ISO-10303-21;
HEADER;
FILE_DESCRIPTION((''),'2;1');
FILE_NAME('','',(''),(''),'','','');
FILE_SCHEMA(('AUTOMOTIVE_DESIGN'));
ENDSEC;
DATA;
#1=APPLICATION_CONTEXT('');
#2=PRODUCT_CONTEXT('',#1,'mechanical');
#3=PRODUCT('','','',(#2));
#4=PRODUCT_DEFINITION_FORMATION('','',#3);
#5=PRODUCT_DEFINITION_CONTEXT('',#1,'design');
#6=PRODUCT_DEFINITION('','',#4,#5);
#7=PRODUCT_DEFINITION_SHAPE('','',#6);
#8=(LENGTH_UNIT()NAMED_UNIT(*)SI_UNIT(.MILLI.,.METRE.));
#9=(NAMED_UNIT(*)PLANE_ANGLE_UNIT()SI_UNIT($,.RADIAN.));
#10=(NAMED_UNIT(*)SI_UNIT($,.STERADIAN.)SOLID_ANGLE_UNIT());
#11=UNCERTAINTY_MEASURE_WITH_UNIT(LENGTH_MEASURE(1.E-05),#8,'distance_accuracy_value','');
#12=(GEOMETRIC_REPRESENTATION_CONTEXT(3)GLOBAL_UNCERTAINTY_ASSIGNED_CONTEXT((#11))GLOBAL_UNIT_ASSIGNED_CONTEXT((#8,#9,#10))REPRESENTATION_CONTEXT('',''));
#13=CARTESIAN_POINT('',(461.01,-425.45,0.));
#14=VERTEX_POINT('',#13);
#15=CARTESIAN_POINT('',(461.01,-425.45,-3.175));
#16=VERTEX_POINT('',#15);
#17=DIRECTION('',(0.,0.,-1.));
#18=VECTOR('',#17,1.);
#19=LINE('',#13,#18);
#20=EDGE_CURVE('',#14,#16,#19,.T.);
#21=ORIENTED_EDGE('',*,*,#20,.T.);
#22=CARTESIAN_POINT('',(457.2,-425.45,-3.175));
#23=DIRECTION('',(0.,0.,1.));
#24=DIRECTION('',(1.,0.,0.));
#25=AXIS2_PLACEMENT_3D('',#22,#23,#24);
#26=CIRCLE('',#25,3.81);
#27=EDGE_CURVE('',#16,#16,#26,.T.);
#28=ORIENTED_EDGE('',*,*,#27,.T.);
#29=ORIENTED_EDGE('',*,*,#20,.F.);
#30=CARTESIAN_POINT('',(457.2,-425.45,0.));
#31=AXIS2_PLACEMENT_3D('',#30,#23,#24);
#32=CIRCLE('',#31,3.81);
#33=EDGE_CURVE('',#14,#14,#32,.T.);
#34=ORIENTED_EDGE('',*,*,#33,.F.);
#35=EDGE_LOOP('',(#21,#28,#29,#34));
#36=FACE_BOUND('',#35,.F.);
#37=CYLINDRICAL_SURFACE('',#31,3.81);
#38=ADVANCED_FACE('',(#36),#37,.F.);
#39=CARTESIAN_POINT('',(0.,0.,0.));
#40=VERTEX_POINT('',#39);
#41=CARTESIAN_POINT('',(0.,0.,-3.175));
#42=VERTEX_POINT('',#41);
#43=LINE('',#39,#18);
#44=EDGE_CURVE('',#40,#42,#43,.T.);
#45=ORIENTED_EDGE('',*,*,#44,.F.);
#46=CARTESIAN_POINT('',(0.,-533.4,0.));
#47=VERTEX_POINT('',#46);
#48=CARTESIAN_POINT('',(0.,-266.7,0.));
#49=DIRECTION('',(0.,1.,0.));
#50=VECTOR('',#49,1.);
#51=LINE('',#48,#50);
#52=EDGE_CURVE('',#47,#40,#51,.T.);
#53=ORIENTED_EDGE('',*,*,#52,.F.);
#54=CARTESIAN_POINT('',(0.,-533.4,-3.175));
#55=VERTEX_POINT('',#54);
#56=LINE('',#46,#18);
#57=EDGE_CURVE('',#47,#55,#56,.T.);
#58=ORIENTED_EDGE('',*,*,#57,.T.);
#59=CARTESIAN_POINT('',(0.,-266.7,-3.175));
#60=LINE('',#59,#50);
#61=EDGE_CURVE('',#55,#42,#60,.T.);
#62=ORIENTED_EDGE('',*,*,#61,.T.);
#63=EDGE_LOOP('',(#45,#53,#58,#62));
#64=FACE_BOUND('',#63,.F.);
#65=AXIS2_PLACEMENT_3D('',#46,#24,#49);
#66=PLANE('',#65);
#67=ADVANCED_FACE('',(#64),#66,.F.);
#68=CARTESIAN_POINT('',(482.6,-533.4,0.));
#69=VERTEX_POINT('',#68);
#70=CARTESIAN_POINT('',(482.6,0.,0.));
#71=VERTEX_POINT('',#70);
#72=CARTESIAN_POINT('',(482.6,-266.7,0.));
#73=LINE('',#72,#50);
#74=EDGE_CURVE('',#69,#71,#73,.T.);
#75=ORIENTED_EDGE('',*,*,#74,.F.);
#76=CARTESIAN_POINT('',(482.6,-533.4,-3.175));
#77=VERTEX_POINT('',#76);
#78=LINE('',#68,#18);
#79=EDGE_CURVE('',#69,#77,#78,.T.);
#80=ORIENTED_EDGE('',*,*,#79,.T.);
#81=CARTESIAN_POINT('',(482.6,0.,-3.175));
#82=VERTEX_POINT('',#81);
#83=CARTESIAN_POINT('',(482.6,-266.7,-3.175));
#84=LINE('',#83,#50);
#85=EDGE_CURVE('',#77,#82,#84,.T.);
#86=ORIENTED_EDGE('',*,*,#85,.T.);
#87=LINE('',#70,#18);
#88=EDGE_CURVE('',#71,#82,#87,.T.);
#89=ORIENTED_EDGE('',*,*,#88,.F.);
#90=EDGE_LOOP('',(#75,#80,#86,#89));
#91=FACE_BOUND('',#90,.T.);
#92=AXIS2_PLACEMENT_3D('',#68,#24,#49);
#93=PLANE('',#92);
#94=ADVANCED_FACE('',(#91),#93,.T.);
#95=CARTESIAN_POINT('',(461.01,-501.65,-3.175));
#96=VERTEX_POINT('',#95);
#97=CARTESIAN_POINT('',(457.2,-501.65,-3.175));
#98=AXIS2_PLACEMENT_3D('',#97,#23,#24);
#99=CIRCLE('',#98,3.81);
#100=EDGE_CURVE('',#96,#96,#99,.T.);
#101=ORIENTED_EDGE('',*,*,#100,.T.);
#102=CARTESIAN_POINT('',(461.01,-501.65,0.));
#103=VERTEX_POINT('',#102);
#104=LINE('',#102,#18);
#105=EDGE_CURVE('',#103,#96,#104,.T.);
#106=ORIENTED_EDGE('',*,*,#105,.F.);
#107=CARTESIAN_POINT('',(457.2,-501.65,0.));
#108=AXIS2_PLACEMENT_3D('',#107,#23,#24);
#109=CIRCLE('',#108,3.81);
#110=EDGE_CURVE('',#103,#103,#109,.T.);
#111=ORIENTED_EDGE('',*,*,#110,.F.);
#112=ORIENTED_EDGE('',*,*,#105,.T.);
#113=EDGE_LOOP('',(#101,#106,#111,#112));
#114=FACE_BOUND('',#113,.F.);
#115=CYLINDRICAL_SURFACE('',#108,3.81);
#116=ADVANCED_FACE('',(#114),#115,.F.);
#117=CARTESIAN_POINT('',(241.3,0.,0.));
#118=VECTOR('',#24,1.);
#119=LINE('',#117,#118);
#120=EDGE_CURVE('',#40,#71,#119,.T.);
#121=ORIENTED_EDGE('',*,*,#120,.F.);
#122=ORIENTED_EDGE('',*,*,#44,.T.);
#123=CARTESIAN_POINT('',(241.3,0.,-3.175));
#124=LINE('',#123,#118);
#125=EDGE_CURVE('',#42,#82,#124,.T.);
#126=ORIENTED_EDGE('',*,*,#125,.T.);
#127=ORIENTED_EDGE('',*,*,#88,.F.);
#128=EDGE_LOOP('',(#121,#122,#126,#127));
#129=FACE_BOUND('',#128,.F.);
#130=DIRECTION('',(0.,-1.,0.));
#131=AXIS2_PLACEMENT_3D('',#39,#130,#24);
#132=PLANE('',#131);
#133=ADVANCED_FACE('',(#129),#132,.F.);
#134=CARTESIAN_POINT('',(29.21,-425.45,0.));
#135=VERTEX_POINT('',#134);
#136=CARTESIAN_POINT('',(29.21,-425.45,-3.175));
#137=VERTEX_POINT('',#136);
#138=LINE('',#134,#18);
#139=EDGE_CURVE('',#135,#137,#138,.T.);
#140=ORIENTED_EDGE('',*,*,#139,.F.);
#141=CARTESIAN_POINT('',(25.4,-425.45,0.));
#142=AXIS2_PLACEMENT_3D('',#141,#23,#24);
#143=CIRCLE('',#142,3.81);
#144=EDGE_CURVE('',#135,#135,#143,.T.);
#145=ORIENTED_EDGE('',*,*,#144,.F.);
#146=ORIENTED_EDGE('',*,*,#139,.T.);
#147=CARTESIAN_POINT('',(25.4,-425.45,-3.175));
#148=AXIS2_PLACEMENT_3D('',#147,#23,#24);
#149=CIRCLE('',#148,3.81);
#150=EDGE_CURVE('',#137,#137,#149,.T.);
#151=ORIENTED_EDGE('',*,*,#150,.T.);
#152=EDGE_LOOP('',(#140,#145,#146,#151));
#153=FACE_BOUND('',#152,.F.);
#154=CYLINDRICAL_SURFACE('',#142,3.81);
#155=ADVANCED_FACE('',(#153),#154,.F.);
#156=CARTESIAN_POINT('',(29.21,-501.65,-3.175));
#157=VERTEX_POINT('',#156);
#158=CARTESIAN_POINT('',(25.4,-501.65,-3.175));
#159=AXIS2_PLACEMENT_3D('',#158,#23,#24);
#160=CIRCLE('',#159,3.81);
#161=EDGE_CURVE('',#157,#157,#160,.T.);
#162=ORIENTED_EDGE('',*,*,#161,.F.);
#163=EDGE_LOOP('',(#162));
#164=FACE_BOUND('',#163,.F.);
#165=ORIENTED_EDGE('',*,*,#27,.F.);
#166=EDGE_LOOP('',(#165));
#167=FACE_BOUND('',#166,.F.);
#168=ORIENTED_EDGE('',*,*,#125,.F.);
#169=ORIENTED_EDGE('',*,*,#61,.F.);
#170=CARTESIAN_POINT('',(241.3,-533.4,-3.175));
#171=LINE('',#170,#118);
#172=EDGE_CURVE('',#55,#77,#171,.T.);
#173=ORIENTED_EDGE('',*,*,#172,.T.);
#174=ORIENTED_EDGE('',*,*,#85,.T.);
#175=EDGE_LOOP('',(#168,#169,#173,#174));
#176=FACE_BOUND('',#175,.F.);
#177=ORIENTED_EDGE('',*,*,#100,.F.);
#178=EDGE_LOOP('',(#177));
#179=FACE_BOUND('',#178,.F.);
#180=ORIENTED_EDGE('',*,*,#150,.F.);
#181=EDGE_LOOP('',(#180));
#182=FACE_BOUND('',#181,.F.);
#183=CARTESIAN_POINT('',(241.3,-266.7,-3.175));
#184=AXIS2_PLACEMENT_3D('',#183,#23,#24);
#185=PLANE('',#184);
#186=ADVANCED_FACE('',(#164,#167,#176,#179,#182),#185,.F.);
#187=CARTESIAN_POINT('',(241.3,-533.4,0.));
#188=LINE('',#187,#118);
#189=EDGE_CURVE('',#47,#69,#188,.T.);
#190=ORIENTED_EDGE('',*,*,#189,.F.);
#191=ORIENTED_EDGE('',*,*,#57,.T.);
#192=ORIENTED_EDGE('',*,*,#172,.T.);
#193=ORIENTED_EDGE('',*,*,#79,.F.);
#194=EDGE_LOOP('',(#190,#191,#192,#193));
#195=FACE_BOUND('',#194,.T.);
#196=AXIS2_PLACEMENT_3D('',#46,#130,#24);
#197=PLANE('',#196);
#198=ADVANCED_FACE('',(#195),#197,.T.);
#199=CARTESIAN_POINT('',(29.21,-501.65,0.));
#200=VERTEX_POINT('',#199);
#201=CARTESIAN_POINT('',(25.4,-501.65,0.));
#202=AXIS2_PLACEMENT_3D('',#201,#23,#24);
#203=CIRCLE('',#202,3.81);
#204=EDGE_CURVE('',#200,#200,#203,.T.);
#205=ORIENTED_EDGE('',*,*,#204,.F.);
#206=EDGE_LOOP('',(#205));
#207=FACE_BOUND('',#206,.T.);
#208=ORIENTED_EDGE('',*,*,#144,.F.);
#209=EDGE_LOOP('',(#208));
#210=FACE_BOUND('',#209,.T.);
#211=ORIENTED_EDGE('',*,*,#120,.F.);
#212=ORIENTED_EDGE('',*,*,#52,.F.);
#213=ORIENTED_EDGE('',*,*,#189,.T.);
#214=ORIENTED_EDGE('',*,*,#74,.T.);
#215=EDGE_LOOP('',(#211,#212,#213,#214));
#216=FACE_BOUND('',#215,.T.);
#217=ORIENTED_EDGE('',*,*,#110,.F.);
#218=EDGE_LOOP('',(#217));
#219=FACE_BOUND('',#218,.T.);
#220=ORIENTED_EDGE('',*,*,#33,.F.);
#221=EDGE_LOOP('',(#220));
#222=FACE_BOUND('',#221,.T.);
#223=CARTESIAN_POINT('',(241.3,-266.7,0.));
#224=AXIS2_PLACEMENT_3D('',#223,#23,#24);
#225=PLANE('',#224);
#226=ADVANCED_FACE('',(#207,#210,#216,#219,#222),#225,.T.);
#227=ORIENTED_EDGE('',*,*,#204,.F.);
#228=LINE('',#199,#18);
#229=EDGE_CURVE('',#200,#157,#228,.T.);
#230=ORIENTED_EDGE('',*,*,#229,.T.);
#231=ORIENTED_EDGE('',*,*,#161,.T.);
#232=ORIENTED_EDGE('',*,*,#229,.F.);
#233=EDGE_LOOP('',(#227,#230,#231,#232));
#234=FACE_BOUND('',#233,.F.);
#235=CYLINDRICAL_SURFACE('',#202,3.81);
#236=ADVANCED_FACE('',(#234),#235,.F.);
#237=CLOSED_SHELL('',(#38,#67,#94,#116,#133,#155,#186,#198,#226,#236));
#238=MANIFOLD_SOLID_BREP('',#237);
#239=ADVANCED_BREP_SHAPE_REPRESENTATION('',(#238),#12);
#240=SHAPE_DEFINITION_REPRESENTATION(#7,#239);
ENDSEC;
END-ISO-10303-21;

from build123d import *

# Parameters (mm, degrees)
F0_W     = 482.6
F0_H     = 533.4
F1_DEPTH = 3.175
F2_R     = 3.81
F3_DEPTH = 3.175


with BuildPart() as f1:
    # F0 (on Top) → F1 (new body)
    with BuildSketch(Plane.XY):
        with Locations((241.3, -266.7)):
            Rectangle(F0_W, F0_H)
    extrude(amount=-F1_DEPTH)

    # F2 (on face) → F3 (cut, through all)
    with BuildSketch(Plane.XY):
        with Locations((25.4, -425.45)):
            Circle(F2_R)
        with Locations((457.2, -425.45)):
            Circle(F2_R)
        with Locations((457.2, -501.65)):
            Circle(F2_R)
        with Locations((25.4, -501.65)):
            Circle(F2_R)
    extrude(amount=-F3_DEPTH, mode=Mode.SUBTRACT)


solid = f1.part
